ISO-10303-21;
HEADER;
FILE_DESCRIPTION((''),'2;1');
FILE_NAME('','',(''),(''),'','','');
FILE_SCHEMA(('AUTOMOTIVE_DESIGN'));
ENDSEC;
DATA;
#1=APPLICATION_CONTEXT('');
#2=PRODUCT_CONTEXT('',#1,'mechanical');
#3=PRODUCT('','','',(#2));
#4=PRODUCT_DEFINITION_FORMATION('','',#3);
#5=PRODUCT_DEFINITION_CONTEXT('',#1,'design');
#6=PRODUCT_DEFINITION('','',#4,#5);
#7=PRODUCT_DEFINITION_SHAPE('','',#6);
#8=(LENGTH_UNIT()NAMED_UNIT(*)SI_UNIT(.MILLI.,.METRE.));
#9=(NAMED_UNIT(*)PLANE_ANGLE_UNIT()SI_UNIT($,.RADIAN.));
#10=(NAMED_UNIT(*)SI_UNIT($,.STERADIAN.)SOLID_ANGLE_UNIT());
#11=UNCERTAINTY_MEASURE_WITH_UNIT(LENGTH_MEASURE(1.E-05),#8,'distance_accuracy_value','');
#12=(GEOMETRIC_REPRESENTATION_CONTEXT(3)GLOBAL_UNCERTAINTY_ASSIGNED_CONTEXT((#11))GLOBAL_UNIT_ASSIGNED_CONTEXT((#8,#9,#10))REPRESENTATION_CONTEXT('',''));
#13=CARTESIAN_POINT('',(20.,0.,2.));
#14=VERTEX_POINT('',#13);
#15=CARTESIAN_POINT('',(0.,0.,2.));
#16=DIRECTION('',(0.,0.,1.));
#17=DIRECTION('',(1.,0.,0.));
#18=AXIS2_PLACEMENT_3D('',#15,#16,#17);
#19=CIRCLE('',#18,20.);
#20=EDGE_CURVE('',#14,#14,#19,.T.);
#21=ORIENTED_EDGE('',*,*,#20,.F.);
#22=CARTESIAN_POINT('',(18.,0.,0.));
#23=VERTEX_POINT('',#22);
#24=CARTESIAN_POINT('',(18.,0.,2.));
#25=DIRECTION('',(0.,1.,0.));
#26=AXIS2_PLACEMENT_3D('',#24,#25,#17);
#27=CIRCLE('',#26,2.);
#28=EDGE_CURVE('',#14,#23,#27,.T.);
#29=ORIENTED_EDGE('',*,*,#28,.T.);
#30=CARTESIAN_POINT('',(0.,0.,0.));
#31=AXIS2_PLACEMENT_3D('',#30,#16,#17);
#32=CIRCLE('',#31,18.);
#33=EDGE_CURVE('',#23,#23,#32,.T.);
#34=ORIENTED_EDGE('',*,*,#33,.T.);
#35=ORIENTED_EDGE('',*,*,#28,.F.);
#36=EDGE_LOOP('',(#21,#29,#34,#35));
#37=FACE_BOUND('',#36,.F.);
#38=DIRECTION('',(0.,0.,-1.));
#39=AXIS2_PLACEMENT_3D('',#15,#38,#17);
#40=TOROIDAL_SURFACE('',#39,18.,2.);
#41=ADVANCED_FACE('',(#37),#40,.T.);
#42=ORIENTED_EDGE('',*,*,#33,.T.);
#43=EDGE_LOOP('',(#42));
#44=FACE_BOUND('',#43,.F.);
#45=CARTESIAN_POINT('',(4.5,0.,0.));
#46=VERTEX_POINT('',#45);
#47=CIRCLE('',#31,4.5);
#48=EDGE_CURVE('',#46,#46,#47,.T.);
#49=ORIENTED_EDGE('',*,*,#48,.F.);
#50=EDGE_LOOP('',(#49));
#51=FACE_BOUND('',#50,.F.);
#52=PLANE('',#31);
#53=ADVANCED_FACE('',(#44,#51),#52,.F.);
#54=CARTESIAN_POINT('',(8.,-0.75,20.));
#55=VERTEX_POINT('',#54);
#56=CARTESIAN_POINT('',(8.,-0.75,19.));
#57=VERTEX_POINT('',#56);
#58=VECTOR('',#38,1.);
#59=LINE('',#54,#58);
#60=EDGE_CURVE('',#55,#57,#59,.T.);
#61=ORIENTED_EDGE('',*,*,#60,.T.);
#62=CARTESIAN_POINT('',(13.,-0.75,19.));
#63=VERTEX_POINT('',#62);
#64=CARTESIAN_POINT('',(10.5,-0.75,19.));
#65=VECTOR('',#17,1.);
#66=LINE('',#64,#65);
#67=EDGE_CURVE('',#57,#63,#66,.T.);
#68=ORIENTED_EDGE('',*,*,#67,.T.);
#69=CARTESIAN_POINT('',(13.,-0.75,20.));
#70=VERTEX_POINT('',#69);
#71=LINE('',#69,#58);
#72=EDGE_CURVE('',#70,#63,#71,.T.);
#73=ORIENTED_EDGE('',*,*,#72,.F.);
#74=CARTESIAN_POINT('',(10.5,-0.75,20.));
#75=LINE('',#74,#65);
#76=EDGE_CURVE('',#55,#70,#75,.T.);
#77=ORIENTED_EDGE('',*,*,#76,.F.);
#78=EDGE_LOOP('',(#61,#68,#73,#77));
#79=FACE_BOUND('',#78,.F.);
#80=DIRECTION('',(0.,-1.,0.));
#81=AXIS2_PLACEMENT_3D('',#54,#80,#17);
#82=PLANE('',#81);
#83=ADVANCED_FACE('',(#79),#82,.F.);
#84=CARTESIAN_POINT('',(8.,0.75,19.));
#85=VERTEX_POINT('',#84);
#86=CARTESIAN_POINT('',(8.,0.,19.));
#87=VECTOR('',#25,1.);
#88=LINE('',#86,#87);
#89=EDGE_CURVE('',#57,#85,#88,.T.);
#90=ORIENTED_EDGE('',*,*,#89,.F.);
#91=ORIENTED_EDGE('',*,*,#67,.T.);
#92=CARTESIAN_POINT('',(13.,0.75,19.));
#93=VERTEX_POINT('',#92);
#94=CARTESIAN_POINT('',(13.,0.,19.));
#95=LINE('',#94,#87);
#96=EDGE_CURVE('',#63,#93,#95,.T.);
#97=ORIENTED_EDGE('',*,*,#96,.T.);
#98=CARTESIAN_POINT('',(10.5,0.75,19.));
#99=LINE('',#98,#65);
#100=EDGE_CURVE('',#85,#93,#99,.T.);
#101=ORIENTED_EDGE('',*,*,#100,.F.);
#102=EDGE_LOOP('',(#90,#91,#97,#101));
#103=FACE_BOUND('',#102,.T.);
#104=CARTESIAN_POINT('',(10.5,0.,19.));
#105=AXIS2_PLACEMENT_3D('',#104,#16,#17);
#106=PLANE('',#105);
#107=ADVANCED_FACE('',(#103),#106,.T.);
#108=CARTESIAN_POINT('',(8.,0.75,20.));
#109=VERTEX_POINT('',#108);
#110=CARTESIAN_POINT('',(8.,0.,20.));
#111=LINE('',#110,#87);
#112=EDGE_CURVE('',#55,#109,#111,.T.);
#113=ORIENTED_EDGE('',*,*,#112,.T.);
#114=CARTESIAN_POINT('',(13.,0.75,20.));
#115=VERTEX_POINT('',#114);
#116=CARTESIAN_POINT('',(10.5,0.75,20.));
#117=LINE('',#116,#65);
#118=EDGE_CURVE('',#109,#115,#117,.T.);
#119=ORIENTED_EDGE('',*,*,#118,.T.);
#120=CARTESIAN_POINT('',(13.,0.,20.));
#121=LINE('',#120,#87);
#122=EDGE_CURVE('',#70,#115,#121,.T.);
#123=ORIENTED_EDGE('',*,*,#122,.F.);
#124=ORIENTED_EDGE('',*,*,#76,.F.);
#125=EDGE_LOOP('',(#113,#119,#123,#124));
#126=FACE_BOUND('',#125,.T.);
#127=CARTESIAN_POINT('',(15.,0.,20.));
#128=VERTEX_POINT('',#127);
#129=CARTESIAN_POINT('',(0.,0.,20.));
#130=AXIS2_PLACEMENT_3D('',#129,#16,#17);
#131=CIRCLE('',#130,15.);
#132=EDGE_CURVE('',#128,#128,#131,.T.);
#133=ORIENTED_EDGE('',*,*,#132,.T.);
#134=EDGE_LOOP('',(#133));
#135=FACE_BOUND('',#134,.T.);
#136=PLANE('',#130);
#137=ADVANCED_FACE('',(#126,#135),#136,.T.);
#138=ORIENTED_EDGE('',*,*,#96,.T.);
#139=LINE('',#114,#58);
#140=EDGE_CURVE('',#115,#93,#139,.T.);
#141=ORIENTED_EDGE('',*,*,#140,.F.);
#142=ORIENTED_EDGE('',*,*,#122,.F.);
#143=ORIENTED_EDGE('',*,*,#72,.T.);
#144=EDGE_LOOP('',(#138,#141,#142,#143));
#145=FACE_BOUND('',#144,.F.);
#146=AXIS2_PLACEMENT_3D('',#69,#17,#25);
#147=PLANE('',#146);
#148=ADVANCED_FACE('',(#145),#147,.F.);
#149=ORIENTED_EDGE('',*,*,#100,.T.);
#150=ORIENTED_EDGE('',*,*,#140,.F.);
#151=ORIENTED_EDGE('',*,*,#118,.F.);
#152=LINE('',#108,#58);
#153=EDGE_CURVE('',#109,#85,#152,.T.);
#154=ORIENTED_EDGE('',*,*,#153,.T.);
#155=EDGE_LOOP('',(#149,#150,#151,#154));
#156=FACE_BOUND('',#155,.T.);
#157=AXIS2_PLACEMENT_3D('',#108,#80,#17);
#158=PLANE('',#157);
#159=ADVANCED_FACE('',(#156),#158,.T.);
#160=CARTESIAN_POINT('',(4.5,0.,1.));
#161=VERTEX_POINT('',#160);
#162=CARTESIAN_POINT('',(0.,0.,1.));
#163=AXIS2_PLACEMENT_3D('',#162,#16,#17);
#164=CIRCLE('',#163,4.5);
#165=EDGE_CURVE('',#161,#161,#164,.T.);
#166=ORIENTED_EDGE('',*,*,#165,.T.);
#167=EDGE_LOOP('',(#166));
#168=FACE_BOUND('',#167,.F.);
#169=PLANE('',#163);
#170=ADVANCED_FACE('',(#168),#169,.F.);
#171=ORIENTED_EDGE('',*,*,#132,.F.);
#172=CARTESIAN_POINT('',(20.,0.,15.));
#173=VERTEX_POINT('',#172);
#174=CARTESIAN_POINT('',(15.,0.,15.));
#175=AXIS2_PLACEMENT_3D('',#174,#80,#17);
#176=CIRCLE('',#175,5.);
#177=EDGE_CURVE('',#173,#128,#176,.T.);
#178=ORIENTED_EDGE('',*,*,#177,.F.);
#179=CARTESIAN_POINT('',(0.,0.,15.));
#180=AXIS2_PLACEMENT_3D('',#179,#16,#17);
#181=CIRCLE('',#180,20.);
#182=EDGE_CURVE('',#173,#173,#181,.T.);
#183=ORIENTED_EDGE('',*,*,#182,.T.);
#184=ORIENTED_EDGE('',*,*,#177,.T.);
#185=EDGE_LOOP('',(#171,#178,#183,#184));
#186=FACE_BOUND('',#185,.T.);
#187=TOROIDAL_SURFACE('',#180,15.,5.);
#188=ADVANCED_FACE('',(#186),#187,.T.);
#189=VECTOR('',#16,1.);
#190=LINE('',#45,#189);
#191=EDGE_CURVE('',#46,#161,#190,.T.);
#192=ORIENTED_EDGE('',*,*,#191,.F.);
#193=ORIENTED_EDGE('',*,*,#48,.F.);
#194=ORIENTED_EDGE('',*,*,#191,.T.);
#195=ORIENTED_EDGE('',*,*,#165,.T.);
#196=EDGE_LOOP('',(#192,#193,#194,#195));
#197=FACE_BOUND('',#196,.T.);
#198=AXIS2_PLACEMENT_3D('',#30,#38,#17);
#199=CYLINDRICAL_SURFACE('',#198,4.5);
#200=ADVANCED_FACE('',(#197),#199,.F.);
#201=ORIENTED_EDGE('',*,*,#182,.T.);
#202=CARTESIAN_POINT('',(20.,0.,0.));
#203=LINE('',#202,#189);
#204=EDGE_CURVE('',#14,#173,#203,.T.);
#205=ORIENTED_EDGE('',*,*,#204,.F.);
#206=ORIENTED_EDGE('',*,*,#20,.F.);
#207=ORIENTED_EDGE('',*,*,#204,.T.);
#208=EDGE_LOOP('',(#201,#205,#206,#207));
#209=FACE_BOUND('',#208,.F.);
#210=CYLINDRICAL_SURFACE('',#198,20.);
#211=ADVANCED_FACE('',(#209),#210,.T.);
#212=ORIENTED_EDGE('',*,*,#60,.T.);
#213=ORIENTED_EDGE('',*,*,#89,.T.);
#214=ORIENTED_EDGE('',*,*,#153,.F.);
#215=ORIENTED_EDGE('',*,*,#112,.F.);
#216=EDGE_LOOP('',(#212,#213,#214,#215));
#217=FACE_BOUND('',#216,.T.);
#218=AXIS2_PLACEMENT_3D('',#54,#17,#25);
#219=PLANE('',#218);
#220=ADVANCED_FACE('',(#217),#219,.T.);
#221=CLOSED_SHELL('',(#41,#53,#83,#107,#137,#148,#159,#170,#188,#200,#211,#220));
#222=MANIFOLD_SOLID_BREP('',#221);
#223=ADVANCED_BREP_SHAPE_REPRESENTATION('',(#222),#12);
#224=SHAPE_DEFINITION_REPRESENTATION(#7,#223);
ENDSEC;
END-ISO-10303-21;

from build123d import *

# Parameters (mm, degrees)
SKETCH_R        = 20
PAD_DEPTH       = 20
SKETCH001_R     = 4.5
POCKET_DEPTH    = 1
FILLET_R        = 5
FILLET001_R     = 2
SKETCH002_W     = 5
SKETCH002_H     = 1.5
POCKET001_DEPTH = 1


with BuildPart() as part:
    # Sketch → Pad (new body)
    with BuildSketch(Plane.XY):
        Circle(SKETCH_R)
    extrude(amount=PAD_DEPTH)

    # Sketch001 → Pocket (cut)
    with BuildSketch(Plane.XY):
        Circle(SKETCH001_R)
    extrude(amount=POCKET_DEPTH, mode=Mode.SUBTRACT)

    # Fillet
    fillet_edges = [part.edges().sort_by_distance(p)[0] for p in [
        (-20, 0, 20),
    ]]
    fillet(fillet_edges, radius=FILLET_R)

    # Fillet001
    fillet001_edges = [part.edges().sort_by_distance(p)[0] for p in [
        (-20, 0, 0),
    ]]
    fillet(fillet001_edges, radius=FILLET001_R)

    # Sketch002 → Pocket001 (cut)
    with BuildSketch(Plane.XY.offset(20)):
        with Locations((10.5, 0)):
            Rectangle(SKETCH002_W, SKETCH002_H)
    extrude(amount=-POCKET001_DEPTH, mode=Mode.SUBTRACT)


solid = part.part
